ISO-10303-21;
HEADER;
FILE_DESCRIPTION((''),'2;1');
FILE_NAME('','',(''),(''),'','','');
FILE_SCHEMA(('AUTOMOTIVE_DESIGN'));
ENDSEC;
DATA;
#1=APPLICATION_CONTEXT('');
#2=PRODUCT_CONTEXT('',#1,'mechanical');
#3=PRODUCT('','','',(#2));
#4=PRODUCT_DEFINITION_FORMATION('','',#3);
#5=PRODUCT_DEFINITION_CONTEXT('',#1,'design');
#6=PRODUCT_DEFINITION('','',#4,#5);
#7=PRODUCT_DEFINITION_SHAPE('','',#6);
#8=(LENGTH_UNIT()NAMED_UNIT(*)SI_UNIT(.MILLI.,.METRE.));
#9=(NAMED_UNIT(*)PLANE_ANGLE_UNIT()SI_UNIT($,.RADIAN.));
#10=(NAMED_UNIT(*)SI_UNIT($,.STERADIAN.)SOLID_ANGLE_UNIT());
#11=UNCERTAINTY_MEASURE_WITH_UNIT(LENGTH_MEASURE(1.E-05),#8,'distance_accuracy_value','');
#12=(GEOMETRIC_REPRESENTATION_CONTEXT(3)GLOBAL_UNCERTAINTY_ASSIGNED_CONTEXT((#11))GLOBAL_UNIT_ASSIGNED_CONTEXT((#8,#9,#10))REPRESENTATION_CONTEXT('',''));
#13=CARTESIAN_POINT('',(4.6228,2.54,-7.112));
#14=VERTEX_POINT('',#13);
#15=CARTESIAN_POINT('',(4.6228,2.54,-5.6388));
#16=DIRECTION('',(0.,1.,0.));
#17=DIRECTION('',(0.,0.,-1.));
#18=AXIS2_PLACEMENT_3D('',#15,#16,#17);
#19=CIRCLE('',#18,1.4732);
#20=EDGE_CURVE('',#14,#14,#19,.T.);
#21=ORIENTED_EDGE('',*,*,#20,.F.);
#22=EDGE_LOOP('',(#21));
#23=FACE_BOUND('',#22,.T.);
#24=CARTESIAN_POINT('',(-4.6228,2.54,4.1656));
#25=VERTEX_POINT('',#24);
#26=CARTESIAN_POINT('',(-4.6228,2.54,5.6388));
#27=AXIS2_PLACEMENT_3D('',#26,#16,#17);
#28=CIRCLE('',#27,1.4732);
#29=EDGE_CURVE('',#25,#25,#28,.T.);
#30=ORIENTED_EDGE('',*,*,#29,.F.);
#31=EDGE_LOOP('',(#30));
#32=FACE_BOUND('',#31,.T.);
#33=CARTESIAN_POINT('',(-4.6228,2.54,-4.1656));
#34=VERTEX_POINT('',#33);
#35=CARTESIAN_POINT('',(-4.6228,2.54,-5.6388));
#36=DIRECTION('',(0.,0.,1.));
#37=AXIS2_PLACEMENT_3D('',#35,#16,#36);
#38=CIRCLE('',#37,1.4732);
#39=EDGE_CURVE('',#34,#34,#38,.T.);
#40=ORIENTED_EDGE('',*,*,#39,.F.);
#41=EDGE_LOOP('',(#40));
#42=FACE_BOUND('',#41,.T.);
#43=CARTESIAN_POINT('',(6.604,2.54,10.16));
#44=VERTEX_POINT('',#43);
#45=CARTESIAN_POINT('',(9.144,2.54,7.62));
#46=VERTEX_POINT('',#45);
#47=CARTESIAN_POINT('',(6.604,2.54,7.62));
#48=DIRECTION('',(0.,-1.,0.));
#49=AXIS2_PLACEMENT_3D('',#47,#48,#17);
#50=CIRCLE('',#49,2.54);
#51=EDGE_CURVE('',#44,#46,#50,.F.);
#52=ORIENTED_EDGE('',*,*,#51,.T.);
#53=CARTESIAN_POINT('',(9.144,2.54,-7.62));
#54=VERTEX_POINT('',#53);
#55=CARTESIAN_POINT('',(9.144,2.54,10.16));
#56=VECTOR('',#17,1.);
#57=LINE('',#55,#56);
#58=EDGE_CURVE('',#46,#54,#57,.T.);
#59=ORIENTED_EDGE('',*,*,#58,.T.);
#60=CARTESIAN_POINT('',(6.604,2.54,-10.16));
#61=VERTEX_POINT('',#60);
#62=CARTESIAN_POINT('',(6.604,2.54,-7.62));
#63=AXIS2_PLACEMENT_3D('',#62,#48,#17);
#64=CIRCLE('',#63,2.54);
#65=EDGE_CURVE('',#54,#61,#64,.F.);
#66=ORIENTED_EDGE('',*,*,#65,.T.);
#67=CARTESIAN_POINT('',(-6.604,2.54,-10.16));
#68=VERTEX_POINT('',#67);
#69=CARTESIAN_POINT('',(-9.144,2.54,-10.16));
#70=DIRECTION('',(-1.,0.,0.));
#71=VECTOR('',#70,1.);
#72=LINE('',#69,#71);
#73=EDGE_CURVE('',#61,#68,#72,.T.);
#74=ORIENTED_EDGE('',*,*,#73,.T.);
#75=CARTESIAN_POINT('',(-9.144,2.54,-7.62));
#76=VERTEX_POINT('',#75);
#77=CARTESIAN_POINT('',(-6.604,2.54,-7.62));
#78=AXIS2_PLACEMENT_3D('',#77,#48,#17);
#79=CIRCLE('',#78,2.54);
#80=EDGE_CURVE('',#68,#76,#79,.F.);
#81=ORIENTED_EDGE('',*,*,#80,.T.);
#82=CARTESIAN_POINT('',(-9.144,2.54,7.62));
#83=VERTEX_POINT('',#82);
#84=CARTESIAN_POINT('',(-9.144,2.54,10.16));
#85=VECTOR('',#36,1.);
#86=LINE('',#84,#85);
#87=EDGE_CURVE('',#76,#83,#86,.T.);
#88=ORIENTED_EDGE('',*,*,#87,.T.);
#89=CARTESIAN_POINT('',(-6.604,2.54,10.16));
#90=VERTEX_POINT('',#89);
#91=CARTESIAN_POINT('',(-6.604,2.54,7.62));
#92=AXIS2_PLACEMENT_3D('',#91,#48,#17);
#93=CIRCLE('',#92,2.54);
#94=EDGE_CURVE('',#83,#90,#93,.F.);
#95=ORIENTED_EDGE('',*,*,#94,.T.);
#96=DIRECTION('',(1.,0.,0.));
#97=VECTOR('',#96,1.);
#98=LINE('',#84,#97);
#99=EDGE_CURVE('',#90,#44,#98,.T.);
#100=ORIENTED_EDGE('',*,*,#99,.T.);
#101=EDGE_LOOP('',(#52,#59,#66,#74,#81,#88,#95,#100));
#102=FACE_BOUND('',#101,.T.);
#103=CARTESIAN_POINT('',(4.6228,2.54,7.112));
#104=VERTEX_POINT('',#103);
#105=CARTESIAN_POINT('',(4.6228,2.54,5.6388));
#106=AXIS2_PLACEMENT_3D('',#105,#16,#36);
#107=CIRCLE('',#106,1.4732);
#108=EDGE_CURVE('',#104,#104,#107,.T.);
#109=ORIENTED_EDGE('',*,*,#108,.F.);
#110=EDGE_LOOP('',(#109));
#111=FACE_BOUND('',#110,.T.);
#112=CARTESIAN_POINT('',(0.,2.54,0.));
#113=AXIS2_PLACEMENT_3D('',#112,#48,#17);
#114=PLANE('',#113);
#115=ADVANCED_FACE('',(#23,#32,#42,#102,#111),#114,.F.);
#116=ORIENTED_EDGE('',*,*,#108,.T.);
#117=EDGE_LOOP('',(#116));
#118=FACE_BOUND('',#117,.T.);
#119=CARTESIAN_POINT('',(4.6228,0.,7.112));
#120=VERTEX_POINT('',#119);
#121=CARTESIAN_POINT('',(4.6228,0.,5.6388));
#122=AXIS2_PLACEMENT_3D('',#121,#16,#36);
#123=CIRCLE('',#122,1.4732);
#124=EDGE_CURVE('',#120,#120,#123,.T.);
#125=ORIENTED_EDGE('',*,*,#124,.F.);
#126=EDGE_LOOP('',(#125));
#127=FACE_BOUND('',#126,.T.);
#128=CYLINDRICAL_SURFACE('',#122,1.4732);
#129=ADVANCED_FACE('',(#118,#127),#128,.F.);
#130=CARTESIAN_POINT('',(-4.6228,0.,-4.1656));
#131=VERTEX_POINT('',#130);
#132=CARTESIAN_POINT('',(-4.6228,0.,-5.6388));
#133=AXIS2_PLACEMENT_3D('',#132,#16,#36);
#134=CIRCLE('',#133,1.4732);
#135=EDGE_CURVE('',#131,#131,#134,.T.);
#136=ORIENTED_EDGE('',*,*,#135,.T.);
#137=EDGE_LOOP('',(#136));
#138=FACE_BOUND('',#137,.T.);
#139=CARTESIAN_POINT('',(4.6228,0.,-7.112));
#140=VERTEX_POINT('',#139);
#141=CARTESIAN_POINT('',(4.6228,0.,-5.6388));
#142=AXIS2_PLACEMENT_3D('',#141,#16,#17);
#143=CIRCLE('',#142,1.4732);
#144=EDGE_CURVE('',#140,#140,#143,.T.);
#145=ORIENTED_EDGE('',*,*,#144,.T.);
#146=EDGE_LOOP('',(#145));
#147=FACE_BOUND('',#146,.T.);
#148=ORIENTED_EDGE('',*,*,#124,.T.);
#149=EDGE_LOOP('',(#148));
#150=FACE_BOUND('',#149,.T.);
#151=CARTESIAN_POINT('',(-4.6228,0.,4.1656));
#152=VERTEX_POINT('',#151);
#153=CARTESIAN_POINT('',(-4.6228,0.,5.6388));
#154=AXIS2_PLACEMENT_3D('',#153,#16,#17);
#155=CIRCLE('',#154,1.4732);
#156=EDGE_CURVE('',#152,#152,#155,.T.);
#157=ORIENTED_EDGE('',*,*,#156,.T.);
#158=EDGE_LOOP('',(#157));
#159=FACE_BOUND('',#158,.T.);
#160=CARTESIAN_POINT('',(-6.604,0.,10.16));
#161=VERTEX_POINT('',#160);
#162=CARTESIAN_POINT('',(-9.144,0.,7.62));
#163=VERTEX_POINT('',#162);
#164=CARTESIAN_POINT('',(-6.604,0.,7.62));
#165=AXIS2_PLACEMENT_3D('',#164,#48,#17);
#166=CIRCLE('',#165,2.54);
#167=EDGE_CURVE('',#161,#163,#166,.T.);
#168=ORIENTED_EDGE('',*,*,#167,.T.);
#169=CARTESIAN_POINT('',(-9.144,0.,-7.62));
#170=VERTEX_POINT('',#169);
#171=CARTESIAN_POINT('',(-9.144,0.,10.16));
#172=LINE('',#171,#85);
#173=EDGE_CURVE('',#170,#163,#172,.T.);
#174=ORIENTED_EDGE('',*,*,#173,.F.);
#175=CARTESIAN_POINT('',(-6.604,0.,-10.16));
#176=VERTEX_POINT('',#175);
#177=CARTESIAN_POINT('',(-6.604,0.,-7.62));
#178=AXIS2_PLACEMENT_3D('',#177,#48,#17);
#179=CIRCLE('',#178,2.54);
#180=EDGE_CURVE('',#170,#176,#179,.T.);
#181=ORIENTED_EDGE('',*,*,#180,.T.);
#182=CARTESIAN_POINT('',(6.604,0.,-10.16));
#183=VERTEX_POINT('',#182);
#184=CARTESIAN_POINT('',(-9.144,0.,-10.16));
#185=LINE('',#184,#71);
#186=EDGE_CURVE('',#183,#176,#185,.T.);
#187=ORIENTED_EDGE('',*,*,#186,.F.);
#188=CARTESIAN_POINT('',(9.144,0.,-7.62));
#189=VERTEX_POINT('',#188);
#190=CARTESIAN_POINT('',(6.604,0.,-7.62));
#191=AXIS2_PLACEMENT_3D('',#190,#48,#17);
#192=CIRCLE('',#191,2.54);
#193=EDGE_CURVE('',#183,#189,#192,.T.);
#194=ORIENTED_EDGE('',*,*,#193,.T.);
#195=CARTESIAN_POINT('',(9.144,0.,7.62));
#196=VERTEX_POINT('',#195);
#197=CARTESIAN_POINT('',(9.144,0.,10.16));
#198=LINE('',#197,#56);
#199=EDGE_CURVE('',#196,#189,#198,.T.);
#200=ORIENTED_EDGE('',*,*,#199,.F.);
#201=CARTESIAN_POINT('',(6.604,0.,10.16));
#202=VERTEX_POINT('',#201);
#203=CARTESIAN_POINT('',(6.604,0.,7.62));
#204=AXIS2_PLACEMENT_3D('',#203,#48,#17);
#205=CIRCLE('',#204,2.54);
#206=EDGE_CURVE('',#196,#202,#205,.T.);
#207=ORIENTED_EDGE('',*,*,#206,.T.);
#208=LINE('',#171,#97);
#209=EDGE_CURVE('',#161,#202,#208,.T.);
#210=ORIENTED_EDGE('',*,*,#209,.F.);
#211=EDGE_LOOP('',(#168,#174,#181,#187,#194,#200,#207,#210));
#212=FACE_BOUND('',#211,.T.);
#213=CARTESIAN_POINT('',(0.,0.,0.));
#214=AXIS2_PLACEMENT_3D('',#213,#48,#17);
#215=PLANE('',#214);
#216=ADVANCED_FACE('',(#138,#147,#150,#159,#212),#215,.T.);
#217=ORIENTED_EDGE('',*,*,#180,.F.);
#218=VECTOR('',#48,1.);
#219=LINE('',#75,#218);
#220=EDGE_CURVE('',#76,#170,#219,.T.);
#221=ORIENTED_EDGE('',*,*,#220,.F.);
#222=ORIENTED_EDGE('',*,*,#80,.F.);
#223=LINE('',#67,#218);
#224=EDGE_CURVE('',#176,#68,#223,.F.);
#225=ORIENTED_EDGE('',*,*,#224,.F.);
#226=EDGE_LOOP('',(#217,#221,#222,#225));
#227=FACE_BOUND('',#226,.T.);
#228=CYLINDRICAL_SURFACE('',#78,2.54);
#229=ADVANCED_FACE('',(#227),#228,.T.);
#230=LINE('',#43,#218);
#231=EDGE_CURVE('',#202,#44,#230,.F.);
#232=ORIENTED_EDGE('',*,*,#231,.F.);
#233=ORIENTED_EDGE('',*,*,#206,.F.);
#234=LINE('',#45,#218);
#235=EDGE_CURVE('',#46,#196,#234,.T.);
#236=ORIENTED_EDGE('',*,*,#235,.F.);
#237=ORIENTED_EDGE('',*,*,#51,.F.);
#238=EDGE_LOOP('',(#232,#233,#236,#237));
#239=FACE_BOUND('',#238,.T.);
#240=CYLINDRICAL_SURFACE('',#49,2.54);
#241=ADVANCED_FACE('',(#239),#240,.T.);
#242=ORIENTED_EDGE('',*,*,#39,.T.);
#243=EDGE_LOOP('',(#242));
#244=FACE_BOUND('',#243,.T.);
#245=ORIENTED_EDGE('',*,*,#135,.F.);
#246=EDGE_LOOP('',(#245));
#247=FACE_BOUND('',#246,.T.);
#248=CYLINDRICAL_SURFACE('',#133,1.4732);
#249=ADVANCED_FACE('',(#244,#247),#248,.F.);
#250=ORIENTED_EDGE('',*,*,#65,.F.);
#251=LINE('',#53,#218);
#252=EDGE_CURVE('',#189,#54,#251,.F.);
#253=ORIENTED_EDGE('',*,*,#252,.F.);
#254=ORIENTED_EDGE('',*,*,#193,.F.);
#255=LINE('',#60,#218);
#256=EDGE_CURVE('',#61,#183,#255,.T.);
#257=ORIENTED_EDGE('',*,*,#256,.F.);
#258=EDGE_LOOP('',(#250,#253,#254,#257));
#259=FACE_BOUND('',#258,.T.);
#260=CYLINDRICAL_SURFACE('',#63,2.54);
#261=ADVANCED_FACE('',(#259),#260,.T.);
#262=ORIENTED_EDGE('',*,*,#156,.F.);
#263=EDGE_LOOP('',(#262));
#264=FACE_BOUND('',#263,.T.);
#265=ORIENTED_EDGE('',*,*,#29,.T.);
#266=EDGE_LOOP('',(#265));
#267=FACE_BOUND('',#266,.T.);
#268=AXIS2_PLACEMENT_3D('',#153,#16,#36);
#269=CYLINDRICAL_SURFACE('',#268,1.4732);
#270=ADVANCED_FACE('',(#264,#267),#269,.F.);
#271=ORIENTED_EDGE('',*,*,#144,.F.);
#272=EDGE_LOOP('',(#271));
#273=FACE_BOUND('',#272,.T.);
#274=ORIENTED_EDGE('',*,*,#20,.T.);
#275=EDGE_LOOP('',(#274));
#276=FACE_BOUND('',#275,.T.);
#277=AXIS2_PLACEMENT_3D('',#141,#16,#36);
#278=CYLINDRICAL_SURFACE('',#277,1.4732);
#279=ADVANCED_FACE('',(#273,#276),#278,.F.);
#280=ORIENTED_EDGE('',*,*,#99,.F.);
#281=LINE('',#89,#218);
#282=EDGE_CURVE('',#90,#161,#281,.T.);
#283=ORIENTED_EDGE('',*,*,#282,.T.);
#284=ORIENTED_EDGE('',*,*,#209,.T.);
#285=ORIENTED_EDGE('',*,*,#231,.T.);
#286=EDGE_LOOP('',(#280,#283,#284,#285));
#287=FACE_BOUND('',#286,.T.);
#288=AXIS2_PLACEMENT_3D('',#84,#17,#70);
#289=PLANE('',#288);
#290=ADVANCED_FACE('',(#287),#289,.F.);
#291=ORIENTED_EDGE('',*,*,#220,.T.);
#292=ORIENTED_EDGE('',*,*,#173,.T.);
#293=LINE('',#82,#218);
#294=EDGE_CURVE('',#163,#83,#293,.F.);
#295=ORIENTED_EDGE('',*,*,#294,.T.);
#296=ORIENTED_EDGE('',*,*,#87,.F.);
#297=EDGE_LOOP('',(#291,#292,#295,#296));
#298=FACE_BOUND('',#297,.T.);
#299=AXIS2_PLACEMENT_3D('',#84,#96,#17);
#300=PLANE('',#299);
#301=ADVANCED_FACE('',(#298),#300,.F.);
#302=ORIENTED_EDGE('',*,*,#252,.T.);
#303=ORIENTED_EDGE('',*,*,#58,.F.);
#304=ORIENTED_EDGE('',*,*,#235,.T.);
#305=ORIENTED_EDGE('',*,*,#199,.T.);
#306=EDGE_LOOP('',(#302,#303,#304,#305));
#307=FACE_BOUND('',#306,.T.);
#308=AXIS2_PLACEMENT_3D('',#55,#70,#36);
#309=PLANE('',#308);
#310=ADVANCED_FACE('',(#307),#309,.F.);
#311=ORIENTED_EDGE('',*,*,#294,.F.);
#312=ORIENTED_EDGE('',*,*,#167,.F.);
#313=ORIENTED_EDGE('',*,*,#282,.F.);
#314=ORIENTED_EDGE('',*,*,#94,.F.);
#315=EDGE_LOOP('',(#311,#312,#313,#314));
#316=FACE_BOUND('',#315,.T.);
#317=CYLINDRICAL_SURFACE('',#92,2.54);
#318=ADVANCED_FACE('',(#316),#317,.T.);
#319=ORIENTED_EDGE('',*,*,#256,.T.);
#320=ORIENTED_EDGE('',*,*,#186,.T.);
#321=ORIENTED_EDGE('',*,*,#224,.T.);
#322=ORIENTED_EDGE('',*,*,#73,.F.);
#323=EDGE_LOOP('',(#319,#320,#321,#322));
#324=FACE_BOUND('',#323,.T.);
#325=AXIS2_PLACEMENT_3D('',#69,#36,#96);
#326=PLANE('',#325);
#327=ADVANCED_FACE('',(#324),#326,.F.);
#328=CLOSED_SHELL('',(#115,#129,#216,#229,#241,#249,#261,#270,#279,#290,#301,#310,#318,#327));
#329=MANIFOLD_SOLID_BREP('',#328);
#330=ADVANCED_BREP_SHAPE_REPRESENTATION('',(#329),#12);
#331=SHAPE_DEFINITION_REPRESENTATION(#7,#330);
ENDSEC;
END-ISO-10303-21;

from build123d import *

# Parameters (mm, degrees)
SKETCH1_W           = 18.288
SKETCH1_H           = 20.32
BOSS_EXTRUDE1_DEPTH = 2.54
SKETCH2_R           = 1.4732
CUT_EXTRUDE1_DEPTH  = 3.54
FILLET1_R           = 2.54


with BuildPart() as part:
    # Sketch1 → Boss-Extrude1 (new body)
    with BuildSketch(Plane(origin=(0, 0, 0), x_dir=(1, 0, 0), z_dir=(0, 1, 0))):
        Rectangle(SKETCH1_W, SKETCH1_H)
    extrude(amount=BOSS_EXTRUDE1_DEPTH)

    # Sketch2 → Cut-Extrude1 (cut, through all)
    with BuildSketch(Plane(origin=(0, 2.54, 0), x_dir=(1, 0, 0), z_dir=(0, 1, 0))):
        with Locations((-4.6228, 5.6388)):
            Circle(SKETCH2_R)
        with Locations((-4.6228, -5.6388)):
            Circle(SKETCH2_R)
        with Locations((4.6228, -5.6388)):
            Circle(SKETCH2_R)
        with Locations((4.6228, 5.6388)):
            Circle(SKETCH2_R)
    extrude(amount=-CUT_EXTRUDE1_DEPTH, mode=Mode.SUBTRACT)

    # Fillet1
    fillet1_edges = [part.edges().sort_by_distance(p)[0] for p in [
        (9.144, 1.27, 10.16),
        (-9.144, 1.27, 10.16),
        (-9.144, 1.27, -10.16),
        (9.144, 1.27, -10.16),
    ]]
    fillet(fillet1_edges, radius=FILLET1_R)


solid = part.part
